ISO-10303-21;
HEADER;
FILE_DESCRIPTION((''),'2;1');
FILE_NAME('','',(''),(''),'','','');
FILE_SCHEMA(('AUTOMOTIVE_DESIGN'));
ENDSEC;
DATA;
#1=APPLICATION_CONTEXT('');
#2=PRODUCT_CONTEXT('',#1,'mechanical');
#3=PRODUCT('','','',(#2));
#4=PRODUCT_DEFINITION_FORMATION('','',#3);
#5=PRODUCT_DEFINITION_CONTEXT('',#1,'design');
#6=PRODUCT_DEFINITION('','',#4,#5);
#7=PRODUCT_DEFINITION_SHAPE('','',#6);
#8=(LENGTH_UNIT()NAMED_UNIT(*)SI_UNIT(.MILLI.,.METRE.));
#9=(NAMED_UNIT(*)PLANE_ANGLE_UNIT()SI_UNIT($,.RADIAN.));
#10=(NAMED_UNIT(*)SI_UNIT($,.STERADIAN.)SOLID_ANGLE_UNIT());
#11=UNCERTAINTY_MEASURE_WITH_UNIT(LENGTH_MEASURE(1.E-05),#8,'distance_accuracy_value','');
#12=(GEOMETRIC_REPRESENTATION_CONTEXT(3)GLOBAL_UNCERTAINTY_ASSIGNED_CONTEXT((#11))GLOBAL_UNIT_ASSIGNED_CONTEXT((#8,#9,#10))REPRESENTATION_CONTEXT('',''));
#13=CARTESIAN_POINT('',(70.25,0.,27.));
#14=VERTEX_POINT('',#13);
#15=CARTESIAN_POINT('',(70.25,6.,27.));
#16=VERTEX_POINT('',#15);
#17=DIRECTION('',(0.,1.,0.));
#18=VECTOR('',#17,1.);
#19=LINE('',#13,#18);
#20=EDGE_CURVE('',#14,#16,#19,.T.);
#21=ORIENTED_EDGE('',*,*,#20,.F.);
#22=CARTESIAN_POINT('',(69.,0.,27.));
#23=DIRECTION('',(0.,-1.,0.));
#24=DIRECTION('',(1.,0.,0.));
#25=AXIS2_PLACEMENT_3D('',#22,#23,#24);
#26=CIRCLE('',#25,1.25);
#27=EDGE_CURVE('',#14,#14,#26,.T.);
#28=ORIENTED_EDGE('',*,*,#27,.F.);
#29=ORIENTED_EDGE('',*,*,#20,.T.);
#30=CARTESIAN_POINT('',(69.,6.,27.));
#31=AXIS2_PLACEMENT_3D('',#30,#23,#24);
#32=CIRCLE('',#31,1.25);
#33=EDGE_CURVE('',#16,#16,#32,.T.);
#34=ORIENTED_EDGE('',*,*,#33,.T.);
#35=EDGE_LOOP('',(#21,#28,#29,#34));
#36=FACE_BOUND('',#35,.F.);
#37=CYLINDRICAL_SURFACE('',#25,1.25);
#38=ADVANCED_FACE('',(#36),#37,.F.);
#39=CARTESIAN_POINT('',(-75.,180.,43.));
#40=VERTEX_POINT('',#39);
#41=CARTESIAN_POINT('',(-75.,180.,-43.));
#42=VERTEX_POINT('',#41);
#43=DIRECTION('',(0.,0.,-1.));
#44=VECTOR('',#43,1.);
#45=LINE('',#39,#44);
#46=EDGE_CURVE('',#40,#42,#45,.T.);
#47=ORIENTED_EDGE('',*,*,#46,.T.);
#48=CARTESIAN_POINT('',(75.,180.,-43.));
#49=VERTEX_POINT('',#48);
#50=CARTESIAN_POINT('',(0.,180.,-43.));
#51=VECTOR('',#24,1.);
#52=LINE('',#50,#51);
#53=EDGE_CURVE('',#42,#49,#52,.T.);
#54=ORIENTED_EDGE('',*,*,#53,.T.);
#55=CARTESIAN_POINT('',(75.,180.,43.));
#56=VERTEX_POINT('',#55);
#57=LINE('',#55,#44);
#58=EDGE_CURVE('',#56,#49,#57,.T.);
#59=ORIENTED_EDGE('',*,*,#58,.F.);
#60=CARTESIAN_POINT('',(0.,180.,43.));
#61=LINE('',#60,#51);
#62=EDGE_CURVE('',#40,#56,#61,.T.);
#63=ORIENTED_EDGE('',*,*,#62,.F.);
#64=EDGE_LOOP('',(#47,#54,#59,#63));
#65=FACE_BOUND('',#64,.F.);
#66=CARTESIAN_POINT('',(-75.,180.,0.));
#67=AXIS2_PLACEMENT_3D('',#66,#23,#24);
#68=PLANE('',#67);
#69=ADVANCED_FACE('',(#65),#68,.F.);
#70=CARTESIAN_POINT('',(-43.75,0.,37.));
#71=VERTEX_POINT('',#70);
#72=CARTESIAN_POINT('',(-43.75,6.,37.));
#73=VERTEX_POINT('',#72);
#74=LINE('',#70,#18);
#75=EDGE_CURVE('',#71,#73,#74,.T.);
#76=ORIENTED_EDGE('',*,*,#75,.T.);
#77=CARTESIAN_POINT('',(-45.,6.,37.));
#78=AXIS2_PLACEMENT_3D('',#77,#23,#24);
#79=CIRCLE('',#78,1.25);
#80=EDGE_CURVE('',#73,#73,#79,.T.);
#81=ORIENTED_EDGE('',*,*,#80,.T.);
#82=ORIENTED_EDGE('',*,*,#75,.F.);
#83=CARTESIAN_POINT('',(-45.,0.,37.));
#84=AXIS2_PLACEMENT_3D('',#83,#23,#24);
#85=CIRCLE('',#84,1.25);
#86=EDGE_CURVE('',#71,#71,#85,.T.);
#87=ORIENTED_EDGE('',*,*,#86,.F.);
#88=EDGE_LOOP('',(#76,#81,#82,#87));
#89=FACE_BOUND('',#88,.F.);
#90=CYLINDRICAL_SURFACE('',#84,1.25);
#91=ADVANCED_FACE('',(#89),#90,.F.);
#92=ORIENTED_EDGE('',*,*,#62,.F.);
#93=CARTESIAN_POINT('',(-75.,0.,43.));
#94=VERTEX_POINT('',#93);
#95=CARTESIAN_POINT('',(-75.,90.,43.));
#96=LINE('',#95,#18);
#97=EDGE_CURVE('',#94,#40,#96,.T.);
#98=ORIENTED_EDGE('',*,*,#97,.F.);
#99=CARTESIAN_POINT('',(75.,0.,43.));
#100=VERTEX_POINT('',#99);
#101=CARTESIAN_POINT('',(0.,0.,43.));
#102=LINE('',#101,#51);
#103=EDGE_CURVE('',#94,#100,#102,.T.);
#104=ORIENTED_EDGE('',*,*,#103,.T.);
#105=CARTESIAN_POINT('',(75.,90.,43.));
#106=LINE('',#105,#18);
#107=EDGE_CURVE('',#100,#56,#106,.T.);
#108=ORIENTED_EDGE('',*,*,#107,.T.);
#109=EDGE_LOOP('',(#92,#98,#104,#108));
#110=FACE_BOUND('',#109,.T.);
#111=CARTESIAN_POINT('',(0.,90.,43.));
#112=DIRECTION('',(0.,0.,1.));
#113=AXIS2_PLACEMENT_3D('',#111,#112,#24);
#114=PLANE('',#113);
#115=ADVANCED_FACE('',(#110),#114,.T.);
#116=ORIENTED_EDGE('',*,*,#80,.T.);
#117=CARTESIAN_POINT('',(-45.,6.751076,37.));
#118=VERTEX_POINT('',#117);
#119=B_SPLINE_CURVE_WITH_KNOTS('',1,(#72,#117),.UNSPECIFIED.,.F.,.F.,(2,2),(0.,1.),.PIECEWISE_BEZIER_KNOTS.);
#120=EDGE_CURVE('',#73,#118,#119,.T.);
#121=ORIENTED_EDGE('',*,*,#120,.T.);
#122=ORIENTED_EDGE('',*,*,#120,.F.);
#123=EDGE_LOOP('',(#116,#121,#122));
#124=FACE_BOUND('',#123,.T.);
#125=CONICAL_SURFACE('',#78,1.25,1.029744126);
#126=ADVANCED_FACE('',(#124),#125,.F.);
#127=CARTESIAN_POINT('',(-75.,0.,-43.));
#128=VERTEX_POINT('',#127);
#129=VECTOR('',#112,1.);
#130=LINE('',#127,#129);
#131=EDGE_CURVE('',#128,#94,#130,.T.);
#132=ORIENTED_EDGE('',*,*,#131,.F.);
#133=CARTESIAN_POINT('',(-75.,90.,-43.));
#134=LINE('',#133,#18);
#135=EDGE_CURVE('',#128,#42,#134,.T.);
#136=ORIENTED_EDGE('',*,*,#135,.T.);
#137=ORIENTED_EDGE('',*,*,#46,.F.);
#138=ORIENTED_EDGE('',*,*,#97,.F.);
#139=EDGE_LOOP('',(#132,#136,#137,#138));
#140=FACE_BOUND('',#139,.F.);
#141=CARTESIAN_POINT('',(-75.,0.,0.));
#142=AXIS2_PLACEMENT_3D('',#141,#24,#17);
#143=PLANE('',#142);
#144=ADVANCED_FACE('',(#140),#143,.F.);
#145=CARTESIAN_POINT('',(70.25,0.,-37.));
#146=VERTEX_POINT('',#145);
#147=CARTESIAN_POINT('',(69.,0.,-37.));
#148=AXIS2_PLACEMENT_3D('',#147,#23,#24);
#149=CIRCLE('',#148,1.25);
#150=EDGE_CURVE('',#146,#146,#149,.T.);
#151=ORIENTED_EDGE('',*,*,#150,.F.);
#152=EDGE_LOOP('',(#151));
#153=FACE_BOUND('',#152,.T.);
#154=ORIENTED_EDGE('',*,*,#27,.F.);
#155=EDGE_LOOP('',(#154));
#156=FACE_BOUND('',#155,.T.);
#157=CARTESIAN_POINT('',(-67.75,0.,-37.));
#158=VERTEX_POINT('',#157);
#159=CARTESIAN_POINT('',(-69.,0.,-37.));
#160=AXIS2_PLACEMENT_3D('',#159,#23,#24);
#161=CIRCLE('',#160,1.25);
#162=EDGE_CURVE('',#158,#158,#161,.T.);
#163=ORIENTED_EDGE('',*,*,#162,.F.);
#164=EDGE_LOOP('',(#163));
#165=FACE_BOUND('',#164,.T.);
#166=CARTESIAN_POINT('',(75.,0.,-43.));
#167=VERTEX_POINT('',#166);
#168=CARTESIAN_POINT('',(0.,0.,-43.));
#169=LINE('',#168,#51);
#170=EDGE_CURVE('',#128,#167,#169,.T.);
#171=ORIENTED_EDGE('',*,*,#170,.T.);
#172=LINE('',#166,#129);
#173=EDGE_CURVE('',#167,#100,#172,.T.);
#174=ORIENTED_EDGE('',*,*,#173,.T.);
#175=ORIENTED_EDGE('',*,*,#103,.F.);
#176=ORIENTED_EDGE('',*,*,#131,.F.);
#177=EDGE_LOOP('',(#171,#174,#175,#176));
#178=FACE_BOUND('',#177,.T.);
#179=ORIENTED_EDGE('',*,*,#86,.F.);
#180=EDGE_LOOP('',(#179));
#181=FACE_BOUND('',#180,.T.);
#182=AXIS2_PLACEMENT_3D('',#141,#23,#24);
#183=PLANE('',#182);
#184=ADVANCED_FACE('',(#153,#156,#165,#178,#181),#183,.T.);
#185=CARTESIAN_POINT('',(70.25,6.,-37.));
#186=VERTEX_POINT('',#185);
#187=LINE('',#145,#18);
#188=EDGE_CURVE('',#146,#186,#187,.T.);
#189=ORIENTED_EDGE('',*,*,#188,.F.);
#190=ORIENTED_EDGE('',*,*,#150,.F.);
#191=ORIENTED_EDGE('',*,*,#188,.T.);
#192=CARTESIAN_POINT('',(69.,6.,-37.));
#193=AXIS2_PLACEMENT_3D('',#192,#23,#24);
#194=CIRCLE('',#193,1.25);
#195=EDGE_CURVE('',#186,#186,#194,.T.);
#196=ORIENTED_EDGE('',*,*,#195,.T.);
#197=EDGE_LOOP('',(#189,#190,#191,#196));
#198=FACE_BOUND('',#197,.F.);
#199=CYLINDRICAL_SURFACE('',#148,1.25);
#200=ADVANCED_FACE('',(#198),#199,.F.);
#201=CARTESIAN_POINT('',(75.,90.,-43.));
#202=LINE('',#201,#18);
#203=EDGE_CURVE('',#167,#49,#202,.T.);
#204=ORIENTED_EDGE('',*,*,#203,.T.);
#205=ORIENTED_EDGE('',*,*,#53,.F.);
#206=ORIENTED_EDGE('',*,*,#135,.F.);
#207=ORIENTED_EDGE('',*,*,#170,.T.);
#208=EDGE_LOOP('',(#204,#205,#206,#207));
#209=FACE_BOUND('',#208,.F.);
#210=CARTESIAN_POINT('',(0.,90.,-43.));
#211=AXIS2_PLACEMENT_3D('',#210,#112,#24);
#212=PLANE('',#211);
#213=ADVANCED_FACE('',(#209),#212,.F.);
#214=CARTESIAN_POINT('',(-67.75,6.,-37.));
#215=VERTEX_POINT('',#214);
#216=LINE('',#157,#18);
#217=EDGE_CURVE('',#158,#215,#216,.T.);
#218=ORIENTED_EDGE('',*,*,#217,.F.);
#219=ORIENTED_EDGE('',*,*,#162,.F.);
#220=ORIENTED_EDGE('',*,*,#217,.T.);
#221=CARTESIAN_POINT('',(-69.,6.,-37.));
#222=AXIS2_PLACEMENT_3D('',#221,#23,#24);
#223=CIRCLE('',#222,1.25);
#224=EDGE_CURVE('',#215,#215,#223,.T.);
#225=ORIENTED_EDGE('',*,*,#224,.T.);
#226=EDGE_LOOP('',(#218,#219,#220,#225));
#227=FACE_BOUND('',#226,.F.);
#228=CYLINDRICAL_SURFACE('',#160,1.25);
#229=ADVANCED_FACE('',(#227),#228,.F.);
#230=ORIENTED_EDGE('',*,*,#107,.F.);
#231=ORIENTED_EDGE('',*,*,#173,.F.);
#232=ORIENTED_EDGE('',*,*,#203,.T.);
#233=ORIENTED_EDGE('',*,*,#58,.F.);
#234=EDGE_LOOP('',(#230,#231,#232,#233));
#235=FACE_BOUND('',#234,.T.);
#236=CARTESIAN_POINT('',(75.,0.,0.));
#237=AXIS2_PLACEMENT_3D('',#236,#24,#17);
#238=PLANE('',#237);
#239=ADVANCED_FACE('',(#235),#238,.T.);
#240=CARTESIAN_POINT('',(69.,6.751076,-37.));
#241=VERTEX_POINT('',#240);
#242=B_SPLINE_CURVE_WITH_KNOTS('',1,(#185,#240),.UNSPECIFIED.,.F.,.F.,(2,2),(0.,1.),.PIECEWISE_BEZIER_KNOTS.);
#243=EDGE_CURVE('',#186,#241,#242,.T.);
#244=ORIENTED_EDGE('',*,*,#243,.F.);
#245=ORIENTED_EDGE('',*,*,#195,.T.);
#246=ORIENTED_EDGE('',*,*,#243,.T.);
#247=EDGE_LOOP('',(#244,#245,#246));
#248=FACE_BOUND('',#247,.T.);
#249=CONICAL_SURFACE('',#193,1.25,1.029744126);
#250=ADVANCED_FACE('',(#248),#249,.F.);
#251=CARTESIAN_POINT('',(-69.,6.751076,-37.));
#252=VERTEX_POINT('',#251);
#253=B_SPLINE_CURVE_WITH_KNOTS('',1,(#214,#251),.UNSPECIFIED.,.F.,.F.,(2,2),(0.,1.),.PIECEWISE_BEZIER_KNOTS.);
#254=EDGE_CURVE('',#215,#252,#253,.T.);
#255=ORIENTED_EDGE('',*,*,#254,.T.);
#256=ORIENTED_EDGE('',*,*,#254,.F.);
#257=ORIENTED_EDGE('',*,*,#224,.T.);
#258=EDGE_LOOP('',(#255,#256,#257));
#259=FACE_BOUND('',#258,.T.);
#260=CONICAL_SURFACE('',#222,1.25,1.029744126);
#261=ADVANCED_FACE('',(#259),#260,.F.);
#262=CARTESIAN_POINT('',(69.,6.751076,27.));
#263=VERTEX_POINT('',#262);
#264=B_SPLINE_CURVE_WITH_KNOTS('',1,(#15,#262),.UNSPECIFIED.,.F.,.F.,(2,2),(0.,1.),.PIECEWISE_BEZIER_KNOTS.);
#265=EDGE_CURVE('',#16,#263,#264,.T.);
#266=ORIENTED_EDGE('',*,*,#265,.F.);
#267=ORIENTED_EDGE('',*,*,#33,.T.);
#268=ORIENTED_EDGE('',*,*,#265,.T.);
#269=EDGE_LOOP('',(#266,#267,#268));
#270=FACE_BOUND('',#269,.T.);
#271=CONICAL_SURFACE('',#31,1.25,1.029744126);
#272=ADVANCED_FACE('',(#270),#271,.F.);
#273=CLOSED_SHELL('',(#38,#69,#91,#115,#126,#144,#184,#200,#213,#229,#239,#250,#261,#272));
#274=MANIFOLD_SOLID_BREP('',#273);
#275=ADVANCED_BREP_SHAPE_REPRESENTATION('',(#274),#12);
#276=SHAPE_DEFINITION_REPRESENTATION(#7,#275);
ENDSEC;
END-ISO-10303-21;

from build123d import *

# Parameters (mm, degrees)
SKETCH_W    = 150
SKETCH_H    = 180
PAD_DEPTH   = 43
SKETCH001_R = 1.25
HOLE_DEPTH  = 6
HOLE_TIPS_R = 1.25


with BuildPart() as part:
    # Sketch → Pad (new body, symmetric)
    with BuildSketch(Plane.XY):
        with Locations((0, 90)):
            Rectangle(SKETCH_W, SKETCH_H)
    extrude(amount=PAD_DEPTH, both=True)

    # Sketch001 → Hole (cut)
    with BuildSketch(Plane.XZ):
        with Locations((69, -37)):
            Circle(SKETCH001_R)
        with Locations((69, 27)):
            Circle(SKETCH001_R)
        with Locations((-45, 37)):
            Circle(SKETCH001_R)
        with Locations((-69, -37)):
            Circle(SKETCH001_R)
    extrude(amount=-HOLE_DEPTH, mode=Mode.SUBTRACT)

    # Hole tips → Hole tip 1 section 0
    with BuildSketch(Plane.XZ.offset(-6), mode=Mode.PRIVATE) as hole_tip_1_s0:
        with Locations((69, -37)):
            Circle(HOLE_TIPS_R)
    loft([hole_tip_1_s0.sketch, Vertex(69, 6.751076, -37)], mode=Mode.SUBTRACT)

    # Hole tips → Hole tip 2 section 0
    with BuildSketch(Plane.XZ.offset(-6), mode=Mode.PRIVATE) as hole_tip_2_s0:
        with Locations((69, 27)):
            Circle(HOLE_TIPS_R)
    loft([hole_tip_2_s0.sketch, Vertex(69, 6.751076, 27)], mode=Mode.SUBTRACT)

    # Hole tips → Hole tip 3 section 0
    with BuildSketch(Plane.XZ.offset(-6), mode=Mode.PRIVATE) as hole_tip_3_s0:
        with Locations((-45, 37)):
            Circle(HOLE_TIPS_R)
    loft([hole_tip_3_s0.sketch, Vertex(-45, 6.751076, 37)], mode=Mode.SUBTRACT)

    # Hole tips → Hole tip 4 section 0
    with BuildSketch(Plane.XZ.offset(-6), mode=Mode.PRIVATE) as hole_tip_4_s0:
        with Locations((-69, -37)):
            Circle(HOLE_TIPS_R)
    loft([hole_tip_4_s0.sketch, Vertex(-69, 6.751076, -37)], mode=Mode.SUBTRACT)


solid = part.part
